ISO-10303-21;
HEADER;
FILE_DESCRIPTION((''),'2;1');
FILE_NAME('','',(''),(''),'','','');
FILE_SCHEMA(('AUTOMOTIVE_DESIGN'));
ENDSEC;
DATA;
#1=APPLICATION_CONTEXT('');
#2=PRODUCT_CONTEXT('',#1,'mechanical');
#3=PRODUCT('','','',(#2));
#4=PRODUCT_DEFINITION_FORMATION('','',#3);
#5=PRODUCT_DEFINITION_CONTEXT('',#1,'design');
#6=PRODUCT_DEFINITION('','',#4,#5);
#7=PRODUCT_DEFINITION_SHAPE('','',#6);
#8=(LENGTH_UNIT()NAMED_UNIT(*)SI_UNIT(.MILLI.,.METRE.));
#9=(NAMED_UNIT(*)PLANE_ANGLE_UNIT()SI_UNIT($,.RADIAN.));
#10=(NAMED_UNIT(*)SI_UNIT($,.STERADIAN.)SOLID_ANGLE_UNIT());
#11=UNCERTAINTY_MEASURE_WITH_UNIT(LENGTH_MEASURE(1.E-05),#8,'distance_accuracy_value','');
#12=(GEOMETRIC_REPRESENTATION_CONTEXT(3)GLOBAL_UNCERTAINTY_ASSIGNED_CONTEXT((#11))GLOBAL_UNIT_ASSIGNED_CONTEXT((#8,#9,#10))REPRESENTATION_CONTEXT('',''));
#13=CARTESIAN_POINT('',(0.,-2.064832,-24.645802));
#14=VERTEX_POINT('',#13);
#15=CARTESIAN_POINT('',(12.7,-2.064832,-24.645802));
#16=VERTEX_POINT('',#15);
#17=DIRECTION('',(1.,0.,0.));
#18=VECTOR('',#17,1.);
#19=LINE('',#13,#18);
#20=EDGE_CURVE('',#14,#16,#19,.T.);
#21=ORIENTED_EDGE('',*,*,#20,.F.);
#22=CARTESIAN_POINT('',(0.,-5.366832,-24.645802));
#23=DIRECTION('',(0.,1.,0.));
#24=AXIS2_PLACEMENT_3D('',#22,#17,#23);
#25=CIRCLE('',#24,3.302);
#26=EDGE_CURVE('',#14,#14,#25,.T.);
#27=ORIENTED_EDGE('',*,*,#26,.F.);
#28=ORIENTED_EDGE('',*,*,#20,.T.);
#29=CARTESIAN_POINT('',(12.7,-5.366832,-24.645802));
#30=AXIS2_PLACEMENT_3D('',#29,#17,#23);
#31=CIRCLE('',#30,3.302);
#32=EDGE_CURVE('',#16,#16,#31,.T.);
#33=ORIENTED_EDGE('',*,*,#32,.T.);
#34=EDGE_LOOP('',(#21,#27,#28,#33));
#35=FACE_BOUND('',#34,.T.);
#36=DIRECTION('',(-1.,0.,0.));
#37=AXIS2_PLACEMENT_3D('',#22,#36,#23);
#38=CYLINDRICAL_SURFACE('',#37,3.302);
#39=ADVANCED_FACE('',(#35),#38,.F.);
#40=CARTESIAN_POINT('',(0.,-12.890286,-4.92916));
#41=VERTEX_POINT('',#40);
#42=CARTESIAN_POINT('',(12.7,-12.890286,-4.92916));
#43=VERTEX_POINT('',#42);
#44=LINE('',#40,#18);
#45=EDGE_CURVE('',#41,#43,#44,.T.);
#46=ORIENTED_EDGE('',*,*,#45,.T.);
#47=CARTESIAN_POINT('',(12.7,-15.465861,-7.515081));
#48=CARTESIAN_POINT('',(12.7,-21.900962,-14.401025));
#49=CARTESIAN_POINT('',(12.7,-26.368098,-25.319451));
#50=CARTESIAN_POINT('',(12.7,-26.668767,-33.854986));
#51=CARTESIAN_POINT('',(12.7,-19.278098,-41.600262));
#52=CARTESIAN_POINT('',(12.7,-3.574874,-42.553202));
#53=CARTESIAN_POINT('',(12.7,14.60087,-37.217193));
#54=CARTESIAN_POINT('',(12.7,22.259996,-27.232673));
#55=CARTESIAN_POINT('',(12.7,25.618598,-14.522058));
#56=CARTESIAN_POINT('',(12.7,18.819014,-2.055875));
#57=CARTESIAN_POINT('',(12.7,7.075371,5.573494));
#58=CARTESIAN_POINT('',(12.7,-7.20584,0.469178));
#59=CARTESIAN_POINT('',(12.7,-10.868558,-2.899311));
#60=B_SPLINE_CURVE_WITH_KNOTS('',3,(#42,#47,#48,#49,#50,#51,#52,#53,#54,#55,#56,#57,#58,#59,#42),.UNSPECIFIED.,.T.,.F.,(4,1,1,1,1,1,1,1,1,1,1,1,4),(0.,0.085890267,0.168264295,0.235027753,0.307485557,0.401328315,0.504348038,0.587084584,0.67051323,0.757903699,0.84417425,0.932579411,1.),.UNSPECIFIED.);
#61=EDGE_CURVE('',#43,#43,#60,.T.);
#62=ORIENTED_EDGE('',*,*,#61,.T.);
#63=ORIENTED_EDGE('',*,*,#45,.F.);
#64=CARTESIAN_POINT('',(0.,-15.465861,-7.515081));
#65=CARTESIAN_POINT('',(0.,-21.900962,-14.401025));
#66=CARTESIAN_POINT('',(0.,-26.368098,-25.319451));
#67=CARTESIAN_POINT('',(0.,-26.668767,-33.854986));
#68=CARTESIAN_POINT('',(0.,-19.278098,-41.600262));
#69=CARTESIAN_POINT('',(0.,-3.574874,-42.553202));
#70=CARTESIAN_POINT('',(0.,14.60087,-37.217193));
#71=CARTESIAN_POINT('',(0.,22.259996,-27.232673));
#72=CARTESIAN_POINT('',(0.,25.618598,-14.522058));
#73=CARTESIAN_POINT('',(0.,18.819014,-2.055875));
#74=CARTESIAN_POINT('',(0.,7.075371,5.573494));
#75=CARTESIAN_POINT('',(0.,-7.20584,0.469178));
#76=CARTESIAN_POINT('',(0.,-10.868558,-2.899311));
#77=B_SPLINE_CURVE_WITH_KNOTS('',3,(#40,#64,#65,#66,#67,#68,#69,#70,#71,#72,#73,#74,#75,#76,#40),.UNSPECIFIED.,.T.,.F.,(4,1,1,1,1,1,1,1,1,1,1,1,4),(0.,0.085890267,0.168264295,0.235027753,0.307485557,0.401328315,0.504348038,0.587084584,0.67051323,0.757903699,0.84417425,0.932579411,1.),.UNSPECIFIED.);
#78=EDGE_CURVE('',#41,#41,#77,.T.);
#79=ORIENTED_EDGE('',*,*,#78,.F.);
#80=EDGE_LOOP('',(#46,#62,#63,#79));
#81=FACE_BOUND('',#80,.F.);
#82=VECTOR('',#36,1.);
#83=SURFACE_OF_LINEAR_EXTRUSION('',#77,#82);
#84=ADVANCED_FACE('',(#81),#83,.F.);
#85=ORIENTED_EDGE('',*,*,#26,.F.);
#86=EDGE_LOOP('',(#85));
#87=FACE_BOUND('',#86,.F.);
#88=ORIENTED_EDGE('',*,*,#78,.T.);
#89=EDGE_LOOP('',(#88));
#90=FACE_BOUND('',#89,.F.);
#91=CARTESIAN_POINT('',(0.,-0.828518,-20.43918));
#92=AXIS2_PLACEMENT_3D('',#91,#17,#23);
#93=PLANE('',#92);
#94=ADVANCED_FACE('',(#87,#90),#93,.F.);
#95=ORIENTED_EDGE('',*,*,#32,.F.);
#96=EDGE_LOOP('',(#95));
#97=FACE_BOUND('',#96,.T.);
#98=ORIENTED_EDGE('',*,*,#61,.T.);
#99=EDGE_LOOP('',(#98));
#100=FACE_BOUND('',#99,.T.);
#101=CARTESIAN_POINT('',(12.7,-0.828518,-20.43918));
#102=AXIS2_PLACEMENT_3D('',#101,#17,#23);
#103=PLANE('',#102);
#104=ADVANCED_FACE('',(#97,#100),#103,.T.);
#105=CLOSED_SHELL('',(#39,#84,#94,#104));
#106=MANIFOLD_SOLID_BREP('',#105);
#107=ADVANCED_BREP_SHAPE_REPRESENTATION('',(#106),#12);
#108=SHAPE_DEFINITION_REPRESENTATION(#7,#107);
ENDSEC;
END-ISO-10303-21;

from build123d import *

# Parameters (mm, degrees)
F0_R     = 3.302
F1_DEPTH = 12.7


with BuildPart() as f1:
    # F0 (on Right) → F1 (new body)
    with BuildSketch(Plane.YZ):
        with BuildLine():
            add(Edge.make_bspline(
                [(-12.8902861132, -4.9291603482), (-15.4658609728, -7.5150811153), (-21.9009618954, -14.4010247278), (-26.3680977062, -25.3194507802), (-26.6687665221, -33.854986398), (-19.2780976407, -41.6002617164), (-3.5748735162, -42.5532023519), (14.6008704158, -37.2171931422), (22.2599964684, -27.2326729698), (25.6185975814, -14.522057975), (18.8190138846, -2.0558749512), (7.0753710909, 5.573494248), (-7.2058395206, 0.4691775612), (-10.8685579336, -2.8993110253), (-12.8902861132, -4.9291603482)],
                knots=[0, 0, 0, 0, 0.085890267, 0.1682642949, 0.2350277526, 0.3074855567, 0.4013283154, 0.504348038, 0.5870845842, 0.6705132301, 0.757903699, 0.8441742499, 0.9325794113, 1, 1, 1, 1], degree=3))
        make_face()
        with Locations((-5.3668315298, -24.645801741)):
            Circle(F0_R, mode=Mode.SUBTRACT)
    extrude(amount=F1_DEPTH)


solid = f1.part
